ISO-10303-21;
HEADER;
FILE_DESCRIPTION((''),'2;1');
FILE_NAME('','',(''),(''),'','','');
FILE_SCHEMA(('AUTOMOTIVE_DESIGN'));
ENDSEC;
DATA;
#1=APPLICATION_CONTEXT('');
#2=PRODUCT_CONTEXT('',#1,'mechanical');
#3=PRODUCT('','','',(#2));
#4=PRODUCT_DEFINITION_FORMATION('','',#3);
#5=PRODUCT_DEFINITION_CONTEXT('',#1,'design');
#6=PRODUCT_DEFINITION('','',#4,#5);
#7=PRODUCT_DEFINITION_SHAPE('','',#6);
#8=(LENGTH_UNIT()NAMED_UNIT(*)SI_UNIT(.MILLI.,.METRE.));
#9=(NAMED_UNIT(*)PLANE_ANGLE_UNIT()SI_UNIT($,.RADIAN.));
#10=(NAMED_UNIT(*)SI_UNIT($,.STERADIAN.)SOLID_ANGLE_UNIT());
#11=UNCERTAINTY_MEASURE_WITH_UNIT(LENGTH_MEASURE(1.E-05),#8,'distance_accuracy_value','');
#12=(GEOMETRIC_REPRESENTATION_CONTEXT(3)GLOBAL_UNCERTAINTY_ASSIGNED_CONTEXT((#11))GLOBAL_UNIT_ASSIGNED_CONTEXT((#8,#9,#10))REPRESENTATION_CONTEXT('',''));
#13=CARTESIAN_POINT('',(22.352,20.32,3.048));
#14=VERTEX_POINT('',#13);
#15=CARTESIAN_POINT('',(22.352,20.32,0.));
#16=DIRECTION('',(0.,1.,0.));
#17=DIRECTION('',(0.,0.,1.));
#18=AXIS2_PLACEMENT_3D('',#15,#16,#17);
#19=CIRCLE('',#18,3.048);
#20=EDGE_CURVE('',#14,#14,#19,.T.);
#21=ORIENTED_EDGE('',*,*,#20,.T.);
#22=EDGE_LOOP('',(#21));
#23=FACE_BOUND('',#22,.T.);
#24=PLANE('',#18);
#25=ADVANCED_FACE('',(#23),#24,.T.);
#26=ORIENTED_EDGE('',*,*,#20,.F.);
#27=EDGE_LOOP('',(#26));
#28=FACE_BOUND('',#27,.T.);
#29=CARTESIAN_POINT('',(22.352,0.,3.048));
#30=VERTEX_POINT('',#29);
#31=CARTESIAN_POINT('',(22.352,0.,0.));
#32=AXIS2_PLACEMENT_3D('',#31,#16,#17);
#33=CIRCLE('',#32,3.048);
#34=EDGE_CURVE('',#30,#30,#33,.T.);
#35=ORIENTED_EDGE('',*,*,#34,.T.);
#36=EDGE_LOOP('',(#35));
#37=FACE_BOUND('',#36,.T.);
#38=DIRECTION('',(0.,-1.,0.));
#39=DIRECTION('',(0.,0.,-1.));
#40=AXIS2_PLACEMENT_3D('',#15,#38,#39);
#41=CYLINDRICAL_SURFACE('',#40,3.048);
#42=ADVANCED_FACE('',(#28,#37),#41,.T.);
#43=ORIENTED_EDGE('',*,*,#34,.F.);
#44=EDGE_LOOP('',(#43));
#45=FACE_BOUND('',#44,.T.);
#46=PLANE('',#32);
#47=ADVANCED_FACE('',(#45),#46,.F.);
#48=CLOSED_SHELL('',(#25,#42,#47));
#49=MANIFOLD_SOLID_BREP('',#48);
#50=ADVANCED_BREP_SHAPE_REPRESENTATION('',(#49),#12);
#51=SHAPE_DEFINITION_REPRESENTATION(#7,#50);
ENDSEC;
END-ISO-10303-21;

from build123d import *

# Parameters (mm, degrees)
SKETCH1_R           = 3.048
BOSS_EXTRUDE1_DEPTH = 20.32


with BuildPart() as part:
    # Sketch1 → Boss-Extrude1 (new body)
    with BuildSketch(Plane(origin=(0, 0, 0), x_dir=(1, 0, 0), z_dir=(0, 1, 0))):
        with Locations((22.352, 0)):
            Circle(SKETCH1_R)
    extrude(amount=BOSS_EXTRUDE1_DEPTH)


solid = part.part
